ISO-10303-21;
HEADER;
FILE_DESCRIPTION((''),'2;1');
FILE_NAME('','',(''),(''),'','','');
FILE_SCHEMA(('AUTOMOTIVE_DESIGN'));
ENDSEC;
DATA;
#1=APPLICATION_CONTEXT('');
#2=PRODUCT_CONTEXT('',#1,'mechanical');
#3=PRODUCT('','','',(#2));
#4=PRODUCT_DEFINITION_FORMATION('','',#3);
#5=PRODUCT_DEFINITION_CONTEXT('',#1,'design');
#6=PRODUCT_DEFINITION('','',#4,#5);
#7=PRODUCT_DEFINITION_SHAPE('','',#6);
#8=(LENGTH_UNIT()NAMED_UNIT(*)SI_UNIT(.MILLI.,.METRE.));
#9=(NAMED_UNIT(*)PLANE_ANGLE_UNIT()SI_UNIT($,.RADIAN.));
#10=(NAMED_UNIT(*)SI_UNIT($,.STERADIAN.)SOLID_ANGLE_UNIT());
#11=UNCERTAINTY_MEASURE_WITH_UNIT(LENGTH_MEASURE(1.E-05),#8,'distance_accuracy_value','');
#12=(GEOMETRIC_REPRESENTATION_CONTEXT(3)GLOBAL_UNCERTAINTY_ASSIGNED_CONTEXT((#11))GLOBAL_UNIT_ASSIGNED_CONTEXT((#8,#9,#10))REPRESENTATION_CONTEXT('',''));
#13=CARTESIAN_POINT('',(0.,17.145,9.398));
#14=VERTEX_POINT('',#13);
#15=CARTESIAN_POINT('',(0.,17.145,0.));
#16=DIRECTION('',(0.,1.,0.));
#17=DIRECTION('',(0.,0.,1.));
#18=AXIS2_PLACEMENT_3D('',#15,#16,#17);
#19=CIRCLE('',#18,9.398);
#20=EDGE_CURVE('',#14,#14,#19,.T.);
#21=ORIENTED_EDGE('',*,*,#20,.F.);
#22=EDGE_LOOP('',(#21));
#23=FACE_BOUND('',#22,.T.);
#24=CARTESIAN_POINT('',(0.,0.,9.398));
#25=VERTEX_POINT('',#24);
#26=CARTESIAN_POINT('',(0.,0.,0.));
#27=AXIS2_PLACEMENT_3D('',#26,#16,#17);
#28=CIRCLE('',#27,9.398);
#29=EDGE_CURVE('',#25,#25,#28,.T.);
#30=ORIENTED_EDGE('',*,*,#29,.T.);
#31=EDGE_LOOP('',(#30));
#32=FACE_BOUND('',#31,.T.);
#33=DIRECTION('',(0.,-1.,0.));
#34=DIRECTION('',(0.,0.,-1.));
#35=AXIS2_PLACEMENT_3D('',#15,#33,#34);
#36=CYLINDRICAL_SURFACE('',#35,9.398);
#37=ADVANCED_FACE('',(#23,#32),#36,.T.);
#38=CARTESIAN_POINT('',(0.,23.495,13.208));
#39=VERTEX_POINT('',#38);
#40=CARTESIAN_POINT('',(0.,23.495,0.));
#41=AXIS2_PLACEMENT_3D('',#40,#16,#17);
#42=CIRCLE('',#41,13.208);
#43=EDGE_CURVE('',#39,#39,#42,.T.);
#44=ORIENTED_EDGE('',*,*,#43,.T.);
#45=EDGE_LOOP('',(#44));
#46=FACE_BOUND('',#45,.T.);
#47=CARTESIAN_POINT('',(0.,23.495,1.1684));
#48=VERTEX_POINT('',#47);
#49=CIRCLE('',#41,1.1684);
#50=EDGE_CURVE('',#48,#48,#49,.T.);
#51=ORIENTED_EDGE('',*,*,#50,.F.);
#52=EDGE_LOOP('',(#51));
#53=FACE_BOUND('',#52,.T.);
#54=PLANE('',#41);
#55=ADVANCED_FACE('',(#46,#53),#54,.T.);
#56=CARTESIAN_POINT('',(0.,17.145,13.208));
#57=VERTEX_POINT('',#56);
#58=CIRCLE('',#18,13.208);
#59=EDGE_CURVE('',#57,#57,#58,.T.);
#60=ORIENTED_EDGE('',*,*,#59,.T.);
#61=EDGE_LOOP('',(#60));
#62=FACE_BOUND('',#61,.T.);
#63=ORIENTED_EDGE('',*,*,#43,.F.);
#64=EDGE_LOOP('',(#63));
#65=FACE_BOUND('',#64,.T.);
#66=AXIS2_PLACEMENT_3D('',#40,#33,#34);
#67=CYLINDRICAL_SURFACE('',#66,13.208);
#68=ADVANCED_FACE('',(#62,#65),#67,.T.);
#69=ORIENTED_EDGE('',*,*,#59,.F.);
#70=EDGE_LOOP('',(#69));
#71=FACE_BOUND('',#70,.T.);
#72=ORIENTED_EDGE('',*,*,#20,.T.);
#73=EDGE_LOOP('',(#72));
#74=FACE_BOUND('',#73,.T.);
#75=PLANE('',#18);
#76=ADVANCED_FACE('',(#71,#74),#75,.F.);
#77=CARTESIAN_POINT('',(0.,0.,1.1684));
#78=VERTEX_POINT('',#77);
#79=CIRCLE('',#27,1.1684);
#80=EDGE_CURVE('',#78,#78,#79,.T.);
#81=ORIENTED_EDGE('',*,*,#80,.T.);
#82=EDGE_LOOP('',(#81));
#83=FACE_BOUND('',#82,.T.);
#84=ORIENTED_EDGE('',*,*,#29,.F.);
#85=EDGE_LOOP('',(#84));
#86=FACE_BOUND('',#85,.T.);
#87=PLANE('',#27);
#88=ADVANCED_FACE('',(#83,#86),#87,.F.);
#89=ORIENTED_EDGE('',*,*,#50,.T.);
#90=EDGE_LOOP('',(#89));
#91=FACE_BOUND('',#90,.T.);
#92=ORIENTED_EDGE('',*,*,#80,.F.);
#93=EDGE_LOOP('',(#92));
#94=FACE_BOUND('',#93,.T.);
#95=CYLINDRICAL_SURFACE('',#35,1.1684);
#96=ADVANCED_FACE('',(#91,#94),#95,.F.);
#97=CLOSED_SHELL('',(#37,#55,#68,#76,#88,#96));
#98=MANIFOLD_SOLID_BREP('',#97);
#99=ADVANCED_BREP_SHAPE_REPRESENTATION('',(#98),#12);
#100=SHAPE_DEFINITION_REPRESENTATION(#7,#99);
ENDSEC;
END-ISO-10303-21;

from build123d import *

# Parameters (mm, degrees)
SKETCH1_R           = 9.398
SKETCH1_R_2         = 1.1684
BOSS_EXTRUDE1_DEPTH = 17.145
SKETCH2_R           = 13.208
SKETCH2_R_2         = 1.1684
BOSS_EXTRUDE2_DEPTH = 6.35


with BuildPart() as part:
    # Sketch1 → Boss-Extrude1 (new body)
    with BuildSketch(Plane(origin=(0, 0, 0), x_dir=(1, 0, 0), z_dir=(0, 1, 0))):
        with Locations(Location((0, 0, 0), (0, 0, 270))):
            Circle(SKETCH1_R)
        with Locations(Location((0, 0, 0), (0, 0, 270))):
            Circle(SKETCH1_R_2, mode=Mode.SUBTRACT)
    extrude(amount=BOSS_EXTRUDE1_DEPTH)

    # Sketch2 → Boss-Extrude2 (add)
    with BuildSketch(Plane(origin=(0, 17.145, 0), x_dir=(1, 0, 0), z_dir=(0, 1, 0))):
        with Locations(Location((0, 0, 0), (0, 0, 270))):
            Circle(SKETCH2_R)
        with Locations(Location((0, 0, 0), (0, 0, 270))):
            Circle(SKETCH2_R_2, mode=Mode.SUBTRACT)
    extrude(amount=BOSS_EXTRUDE2_DEPTH)


solid = part.part
